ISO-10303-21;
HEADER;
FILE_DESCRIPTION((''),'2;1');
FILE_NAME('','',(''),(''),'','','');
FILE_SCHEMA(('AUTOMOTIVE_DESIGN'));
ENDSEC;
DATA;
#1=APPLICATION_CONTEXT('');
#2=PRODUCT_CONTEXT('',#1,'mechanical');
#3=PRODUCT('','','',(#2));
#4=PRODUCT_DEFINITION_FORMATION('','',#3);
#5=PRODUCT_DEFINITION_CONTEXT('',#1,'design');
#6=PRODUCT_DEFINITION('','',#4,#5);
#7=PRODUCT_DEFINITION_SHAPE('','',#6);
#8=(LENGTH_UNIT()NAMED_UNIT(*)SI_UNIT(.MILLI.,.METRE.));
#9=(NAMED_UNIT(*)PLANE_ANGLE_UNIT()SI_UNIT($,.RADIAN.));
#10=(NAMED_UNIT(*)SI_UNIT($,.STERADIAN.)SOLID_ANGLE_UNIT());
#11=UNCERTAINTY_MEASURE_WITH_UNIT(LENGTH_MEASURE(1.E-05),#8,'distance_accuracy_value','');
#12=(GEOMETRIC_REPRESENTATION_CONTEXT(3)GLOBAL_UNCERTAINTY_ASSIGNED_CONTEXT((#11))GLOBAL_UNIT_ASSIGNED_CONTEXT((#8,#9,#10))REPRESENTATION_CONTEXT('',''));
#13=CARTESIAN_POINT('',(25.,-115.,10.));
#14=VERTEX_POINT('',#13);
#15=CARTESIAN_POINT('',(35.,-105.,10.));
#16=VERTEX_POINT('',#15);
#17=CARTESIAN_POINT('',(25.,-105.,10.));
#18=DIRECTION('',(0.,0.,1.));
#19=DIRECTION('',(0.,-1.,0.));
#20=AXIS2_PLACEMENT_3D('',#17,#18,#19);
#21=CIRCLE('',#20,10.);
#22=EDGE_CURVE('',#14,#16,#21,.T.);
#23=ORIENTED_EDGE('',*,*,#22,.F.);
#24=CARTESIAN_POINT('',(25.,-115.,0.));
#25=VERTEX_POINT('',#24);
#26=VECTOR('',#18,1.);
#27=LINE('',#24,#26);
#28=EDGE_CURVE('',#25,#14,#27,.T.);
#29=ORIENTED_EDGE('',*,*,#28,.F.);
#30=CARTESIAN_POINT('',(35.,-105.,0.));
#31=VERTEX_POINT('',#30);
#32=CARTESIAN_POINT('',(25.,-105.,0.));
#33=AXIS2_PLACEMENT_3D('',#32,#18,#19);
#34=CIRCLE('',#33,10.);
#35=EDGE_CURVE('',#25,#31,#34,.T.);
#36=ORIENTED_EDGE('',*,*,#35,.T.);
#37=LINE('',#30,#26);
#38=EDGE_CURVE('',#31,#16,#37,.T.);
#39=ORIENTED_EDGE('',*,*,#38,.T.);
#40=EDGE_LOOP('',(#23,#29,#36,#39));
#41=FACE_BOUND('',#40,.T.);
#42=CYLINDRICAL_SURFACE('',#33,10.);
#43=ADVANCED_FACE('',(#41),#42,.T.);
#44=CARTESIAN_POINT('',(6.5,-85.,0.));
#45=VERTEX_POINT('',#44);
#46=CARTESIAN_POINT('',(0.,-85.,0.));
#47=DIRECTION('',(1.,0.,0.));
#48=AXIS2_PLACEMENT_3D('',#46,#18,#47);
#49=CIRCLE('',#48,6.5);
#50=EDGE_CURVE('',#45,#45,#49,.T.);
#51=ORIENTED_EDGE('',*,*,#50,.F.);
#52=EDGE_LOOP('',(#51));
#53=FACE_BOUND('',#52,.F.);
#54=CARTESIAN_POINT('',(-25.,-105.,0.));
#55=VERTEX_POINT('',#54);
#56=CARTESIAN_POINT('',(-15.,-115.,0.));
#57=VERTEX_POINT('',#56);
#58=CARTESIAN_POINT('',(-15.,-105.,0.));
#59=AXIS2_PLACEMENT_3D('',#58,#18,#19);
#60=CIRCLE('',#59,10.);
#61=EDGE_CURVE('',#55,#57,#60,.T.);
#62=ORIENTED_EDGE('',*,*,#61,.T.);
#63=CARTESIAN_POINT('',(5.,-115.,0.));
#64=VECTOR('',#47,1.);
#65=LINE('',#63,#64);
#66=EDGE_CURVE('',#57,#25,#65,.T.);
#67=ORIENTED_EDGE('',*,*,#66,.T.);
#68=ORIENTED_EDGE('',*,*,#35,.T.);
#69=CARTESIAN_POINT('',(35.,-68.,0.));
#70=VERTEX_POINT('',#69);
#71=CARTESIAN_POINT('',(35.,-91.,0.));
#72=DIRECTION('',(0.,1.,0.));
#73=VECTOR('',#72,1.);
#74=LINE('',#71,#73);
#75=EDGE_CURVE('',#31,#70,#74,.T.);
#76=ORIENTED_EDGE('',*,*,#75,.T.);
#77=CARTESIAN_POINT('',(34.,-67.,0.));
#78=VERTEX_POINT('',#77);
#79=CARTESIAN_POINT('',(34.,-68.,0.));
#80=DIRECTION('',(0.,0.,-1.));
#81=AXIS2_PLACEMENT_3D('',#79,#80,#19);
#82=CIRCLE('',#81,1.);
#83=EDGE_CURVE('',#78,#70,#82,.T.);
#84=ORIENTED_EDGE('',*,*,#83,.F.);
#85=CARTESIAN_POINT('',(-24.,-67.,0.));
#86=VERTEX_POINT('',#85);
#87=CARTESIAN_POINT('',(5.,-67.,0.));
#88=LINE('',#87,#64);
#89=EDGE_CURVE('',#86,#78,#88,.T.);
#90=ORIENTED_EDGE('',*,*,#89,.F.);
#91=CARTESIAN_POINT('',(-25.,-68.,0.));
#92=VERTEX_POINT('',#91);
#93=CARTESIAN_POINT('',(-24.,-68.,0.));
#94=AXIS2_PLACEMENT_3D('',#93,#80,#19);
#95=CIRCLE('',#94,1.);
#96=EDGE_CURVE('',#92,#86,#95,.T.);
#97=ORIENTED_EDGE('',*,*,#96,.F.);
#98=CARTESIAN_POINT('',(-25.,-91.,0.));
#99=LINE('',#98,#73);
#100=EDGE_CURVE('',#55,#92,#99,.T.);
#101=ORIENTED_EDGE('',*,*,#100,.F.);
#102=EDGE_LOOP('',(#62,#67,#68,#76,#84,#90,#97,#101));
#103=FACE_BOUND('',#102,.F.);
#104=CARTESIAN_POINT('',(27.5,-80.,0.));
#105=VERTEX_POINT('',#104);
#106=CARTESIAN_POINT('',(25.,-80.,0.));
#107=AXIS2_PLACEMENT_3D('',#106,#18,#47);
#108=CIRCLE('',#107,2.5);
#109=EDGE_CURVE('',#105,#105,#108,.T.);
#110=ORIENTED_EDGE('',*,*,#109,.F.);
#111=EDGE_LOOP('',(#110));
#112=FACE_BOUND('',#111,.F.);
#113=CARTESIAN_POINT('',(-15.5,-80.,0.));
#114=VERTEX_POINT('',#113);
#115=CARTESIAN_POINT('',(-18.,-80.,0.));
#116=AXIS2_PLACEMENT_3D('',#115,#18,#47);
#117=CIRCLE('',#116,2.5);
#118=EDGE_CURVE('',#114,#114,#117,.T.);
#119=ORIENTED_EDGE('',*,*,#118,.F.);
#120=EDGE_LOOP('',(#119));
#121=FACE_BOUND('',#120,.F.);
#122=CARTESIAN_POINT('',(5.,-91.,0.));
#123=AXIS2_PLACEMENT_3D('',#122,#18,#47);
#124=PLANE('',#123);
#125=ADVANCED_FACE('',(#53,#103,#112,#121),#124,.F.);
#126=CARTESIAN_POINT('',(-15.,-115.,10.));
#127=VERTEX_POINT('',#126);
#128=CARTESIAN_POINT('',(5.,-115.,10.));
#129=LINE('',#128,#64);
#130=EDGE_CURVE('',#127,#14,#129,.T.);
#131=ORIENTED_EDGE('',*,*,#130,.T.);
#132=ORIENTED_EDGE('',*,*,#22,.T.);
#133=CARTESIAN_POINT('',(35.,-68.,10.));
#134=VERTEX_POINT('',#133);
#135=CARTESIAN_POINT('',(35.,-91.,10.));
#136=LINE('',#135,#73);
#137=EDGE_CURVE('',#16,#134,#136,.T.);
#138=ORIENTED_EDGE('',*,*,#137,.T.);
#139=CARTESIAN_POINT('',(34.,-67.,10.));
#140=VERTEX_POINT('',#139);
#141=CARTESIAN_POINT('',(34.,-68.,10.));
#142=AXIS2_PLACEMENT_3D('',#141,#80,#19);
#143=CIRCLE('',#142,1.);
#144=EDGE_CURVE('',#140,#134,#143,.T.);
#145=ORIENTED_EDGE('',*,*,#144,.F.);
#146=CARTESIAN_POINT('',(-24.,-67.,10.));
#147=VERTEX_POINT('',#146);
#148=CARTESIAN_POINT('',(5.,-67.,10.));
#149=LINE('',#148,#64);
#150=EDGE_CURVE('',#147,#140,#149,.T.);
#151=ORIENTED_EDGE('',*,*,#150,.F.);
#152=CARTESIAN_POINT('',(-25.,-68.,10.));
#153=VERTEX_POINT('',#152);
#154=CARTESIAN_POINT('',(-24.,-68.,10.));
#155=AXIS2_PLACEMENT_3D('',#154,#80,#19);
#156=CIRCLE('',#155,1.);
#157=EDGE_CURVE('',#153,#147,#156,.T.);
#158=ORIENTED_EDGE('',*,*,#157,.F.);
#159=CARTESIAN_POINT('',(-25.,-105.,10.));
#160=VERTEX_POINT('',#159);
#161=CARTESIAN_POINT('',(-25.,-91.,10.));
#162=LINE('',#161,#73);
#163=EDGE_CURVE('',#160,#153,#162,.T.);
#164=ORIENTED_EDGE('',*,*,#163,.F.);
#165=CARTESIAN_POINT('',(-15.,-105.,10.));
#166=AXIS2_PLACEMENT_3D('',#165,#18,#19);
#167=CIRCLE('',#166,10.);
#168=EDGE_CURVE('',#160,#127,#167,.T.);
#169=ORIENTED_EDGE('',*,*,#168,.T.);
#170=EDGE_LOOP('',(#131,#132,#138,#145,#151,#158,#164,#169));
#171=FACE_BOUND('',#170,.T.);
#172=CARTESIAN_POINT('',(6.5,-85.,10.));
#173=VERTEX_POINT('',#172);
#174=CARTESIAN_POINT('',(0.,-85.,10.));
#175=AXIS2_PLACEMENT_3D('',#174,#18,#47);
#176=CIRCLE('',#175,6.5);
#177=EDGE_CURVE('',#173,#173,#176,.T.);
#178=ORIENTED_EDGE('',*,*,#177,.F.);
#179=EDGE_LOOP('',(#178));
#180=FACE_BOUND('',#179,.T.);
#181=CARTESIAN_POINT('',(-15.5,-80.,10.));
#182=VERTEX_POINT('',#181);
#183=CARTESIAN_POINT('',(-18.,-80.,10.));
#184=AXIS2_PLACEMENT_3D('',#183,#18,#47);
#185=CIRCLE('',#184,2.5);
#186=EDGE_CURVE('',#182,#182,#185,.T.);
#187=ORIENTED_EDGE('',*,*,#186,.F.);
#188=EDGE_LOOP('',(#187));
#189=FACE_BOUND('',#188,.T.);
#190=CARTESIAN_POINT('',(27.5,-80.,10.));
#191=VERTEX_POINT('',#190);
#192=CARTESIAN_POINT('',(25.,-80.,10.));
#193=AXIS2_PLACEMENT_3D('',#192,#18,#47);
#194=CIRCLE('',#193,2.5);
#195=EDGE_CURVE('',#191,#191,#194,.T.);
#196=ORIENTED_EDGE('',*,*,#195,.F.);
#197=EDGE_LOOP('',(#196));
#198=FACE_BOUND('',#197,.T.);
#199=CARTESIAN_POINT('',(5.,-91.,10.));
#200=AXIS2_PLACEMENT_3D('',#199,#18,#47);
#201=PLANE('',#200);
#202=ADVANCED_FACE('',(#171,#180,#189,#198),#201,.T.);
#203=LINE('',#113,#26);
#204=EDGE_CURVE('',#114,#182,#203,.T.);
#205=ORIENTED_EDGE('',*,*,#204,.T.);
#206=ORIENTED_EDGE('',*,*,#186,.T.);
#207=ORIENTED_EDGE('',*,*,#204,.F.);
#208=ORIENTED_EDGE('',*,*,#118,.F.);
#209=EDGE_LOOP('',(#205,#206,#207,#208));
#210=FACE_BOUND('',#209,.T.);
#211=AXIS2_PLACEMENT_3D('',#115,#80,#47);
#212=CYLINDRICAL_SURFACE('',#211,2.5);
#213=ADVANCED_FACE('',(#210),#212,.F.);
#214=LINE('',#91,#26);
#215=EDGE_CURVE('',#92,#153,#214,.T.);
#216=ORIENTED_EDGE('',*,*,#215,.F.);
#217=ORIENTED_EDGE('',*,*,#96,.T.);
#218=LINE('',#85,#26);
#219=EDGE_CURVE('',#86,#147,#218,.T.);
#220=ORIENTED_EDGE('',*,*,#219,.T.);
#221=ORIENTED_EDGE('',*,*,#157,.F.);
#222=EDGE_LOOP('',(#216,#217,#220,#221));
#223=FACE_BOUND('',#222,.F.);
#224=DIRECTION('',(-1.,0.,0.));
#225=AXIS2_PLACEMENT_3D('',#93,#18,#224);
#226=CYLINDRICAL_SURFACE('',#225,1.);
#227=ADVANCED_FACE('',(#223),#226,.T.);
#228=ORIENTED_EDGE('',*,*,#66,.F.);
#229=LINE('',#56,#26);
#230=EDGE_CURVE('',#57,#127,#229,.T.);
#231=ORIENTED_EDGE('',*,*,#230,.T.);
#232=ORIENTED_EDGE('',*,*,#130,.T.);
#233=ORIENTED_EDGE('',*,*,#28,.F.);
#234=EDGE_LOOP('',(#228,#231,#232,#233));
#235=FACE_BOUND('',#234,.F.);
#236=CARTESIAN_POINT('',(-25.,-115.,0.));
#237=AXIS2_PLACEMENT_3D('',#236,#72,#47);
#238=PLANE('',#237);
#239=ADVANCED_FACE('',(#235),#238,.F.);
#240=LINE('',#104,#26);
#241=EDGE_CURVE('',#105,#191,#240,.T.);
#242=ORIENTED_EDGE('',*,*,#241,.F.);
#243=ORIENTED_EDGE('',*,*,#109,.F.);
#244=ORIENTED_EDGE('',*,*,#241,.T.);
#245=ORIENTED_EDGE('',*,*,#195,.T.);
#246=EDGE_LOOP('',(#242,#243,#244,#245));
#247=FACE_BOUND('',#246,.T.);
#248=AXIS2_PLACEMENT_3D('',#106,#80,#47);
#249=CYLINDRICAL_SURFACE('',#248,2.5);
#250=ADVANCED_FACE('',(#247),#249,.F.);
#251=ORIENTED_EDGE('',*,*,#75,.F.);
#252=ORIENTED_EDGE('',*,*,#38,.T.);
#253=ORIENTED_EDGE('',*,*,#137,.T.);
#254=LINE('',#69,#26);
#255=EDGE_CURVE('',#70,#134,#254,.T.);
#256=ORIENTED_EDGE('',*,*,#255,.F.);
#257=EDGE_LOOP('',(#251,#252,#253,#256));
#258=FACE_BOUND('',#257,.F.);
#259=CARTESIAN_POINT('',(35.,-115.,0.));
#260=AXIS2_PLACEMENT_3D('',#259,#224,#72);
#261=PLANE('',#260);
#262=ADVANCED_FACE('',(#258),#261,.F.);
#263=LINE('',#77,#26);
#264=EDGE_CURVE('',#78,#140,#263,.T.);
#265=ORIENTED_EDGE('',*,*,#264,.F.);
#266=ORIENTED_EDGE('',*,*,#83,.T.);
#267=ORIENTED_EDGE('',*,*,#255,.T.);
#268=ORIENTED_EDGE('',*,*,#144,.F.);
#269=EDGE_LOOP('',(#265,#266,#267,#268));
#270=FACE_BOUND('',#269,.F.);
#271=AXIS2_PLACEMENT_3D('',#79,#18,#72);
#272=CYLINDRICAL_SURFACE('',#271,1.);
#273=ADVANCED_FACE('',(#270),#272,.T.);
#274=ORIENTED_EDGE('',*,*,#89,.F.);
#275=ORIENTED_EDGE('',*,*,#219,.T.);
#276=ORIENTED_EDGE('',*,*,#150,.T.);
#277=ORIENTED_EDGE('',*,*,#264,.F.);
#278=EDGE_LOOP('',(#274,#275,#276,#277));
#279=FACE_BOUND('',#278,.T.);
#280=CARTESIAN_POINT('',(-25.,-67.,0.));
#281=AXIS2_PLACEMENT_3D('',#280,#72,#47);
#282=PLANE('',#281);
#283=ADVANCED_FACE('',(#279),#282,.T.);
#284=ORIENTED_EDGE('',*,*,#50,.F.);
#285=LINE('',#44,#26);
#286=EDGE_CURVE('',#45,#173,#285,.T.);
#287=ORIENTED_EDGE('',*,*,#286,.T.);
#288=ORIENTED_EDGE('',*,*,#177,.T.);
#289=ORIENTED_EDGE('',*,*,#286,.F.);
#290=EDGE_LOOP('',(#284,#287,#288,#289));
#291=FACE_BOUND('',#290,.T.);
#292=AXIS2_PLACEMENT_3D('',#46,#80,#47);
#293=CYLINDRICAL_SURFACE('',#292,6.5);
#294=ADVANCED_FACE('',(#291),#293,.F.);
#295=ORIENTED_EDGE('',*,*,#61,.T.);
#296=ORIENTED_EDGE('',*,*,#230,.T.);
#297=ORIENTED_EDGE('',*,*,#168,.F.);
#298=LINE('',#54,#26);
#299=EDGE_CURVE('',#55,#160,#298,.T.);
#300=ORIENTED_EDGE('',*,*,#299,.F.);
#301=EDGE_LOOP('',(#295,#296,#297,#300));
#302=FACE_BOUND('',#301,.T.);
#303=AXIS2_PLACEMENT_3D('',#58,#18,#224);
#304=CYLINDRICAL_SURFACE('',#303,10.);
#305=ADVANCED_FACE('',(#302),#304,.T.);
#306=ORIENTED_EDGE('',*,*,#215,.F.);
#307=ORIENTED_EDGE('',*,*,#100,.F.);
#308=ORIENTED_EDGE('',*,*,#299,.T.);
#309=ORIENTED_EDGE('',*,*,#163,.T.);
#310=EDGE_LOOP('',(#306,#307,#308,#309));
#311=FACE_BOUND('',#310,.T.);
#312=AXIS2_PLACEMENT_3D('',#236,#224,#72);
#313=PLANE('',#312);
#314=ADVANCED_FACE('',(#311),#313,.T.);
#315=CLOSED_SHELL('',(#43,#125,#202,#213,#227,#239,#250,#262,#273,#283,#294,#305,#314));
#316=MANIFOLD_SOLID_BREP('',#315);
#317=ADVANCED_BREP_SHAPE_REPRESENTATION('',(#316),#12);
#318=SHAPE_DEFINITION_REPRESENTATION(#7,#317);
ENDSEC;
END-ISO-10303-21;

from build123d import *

# Parameters (mm, degrees)
SKETCH_W    = 60
SKETCH_H    = 48
SKETCH_R    = 2.5
SKETCH_R_2  = 6.5
PAD_DEPTH   = 10
FILLET_R    = 10
FILLET001_R = 1


with BuildPart() as part:
    # Sketch → Pad (new body)
    with BuildSketch(Plane.XY):
        with Locations((5, -91)):
            Rectangle(SKETCH_W, SKETCH_H)
        with Locations((25, -80)):
            Circle(SKETCH_R, mode=Mode.SUBTRACT)
        with Locations((-18, -80)):
            Circle(SKETCH_R, mode=Mode.SUBTRACT)
        with Locations((0, -85)):
            Circle(SKETCH_R_2, mode=Mode.SUBTRACT)
    extrude(amount=PAD_DEPTH)

    # Fillet
    fillet_edges = [part.edges().sort_by_distance(p)[0] for p in [
        (-25, -115, 5),
        (35, -115, 5),
    ]]
    fillet(fillet_edges, radius=FILLET_R)

    # Fillet001
    fillet001_edges = [part.edges().sort_by_distance(p)[0] for p in [
        (35, -67, 5),
        (-25, -67, 5),
    ]]
    fillet(fillet001_edges, radius=FILLET001_R)


solid = part.part
